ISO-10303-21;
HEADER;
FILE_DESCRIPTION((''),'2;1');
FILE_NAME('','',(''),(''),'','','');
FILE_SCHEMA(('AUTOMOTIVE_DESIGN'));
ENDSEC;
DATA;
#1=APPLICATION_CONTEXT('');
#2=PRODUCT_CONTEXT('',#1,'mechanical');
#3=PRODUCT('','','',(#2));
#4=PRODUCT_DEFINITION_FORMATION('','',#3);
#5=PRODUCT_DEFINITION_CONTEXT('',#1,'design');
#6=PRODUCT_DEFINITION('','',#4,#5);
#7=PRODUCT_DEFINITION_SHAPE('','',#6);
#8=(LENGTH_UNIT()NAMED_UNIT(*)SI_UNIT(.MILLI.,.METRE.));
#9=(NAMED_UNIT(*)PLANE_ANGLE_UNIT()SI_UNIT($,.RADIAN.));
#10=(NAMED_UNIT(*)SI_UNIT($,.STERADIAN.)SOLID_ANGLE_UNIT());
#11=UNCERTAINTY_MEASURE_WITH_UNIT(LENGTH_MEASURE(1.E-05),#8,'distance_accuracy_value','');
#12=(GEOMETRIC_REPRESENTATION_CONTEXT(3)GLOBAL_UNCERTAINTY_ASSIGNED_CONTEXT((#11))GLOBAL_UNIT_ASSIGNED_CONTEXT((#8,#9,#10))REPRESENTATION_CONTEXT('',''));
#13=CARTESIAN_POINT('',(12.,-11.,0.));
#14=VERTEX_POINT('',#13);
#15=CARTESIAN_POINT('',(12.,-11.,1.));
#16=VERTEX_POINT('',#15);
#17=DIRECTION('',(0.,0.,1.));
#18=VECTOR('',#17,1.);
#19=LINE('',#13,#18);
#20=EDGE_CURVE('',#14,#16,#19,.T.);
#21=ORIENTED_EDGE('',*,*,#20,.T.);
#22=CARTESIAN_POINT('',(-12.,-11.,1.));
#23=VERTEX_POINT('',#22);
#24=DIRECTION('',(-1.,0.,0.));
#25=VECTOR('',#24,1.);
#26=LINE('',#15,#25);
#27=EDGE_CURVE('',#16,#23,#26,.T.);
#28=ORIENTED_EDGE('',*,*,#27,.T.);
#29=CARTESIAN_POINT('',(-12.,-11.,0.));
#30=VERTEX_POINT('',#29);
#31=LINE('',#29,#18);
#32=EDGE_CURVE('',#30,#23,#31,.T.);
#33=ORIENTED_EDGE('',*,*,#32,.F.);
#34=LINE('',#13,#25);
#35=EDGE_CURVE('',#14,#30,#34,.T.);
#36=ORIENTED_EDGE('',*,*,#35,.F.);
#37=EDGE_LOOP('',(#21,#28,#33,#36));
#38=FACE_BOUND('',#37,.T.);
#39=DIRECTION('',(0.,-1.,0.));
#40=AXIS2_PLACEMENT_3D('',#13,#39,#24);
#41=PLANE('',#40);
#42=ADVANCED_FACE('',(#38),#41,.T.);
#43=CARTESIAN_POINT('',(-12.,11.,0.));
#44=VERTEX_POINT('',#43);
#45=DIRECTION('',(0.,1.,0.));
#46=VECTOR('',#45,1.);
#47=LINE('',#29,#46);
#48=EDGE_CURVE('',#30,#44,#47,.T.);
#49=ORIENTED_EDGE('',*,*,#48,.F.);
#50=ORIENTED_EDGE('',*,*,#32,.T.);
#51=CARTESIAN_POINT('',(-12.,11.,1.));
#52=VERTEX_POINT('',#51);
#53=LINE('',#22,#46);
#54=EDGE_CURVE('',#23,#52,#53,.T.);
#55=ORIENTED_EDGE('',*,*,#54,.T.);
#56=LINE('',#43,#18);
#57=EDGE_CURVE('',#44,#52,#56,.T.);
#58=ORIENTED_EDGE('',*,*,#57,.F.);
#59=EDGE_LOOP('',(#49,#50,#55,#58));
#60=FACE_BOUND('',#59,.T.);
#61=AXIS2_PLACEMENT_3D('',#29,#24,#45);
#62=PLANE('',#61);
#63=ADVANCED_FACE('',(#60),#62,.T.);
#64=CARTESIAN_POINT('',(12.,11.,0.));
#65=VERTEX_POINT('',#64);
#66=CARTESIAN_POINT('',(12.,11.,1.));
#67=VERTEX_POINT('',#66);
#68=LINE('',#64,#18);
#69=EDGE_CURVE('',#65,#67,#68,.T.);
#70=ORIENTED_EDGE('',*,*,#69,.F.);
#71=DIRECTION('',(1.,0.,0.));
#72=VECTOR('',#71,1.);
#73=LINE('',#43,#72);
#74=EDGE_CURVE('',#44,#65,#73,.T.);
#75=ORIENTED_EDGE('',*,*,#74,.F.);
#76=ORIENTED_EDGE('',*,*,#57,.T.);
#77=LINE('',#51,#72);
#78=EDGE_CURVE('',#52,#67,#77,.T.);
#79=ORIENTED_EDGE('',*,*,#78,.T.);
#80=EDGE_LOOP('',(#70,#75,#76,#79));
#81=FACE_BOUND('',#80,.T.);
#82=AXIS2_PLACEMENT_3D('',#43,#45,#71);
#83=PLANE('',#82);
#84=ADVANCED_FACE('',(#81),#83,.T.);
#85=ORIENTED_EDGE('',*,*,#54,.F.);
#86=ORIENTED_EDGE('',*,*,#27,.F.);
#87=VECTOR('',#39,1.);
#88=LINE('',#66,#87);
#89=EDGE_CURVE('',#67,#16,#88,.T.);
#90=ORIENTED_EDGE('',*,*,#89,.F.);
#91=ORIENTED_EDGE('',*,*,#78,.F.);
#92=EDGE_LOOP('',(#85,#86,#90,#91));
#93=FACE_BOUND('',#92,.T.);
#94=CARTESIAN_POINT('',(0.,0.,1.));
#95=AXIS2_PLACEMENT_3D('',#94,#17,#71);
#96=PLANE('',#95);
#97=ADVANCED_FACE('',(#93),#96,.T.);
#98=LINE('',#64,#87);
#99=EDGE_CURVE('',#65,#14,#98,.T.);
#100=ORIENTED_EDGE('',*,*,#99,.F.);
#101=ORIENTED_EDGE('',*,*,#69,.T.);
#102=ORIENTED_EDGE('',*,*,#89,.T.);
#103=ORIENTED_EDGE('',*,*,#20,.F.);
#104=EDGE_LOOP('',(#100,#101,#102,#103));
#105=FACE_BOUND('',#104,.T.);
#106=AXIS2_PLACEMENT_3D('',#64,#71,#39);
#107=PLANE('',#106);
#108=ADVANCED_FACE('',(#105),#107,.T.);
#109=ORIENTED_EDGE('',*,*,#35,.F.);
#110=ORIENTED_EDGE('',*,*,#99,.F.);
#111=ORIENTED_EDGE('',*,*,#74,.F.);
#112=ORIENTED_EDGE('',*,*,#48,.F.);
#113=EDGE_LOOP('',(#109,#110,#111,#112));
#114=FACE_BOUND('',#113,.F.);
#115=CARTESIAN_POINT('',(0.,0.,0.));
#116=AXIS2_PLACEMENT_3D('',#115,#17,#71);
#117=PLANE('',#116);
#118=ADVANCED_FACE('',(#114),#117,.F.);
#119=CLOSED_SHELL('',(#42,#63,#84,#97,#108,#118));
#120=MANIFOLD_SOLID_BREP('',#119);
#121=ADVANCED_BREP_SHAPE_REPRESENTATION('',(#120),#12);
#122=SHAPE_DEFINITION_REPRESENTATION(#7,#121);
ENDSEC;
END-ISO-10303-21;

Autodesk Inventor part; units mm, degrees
ref_plane "YZ Plane" through (0, 0, 0) normal (1, 0, 0) x (0, 1, 0)
ref_plane "XZ Plane" through (0, 0, 0) normal (0, 1, 0) x (-1, 0, 0)
ref_plane "XY Plane" through (0, 0, 0) normal (0, 0, 1) x (1, 0, 0)
sketch "Sketch1" plane through (0, 0, 0) normal (0, 0, 1) x (1, 0, 0)
  line L0 (12, -11) -> (-12, -11)
  line L1 (-12, -11) -> (-12, 11)
  line L2 (-12, 11) -> (12, 11)
  line L3 (12, 11) -> (12, -11)
  line L4 (12, -11) -> (-12, 11) construction
  line L5 (-12, -11) -> (12, 11) construction
  point P0 (0, 0)
extrude "Extrusion1" add sketch "Sketch1" along normal blind 1
properties part number "base plate"
